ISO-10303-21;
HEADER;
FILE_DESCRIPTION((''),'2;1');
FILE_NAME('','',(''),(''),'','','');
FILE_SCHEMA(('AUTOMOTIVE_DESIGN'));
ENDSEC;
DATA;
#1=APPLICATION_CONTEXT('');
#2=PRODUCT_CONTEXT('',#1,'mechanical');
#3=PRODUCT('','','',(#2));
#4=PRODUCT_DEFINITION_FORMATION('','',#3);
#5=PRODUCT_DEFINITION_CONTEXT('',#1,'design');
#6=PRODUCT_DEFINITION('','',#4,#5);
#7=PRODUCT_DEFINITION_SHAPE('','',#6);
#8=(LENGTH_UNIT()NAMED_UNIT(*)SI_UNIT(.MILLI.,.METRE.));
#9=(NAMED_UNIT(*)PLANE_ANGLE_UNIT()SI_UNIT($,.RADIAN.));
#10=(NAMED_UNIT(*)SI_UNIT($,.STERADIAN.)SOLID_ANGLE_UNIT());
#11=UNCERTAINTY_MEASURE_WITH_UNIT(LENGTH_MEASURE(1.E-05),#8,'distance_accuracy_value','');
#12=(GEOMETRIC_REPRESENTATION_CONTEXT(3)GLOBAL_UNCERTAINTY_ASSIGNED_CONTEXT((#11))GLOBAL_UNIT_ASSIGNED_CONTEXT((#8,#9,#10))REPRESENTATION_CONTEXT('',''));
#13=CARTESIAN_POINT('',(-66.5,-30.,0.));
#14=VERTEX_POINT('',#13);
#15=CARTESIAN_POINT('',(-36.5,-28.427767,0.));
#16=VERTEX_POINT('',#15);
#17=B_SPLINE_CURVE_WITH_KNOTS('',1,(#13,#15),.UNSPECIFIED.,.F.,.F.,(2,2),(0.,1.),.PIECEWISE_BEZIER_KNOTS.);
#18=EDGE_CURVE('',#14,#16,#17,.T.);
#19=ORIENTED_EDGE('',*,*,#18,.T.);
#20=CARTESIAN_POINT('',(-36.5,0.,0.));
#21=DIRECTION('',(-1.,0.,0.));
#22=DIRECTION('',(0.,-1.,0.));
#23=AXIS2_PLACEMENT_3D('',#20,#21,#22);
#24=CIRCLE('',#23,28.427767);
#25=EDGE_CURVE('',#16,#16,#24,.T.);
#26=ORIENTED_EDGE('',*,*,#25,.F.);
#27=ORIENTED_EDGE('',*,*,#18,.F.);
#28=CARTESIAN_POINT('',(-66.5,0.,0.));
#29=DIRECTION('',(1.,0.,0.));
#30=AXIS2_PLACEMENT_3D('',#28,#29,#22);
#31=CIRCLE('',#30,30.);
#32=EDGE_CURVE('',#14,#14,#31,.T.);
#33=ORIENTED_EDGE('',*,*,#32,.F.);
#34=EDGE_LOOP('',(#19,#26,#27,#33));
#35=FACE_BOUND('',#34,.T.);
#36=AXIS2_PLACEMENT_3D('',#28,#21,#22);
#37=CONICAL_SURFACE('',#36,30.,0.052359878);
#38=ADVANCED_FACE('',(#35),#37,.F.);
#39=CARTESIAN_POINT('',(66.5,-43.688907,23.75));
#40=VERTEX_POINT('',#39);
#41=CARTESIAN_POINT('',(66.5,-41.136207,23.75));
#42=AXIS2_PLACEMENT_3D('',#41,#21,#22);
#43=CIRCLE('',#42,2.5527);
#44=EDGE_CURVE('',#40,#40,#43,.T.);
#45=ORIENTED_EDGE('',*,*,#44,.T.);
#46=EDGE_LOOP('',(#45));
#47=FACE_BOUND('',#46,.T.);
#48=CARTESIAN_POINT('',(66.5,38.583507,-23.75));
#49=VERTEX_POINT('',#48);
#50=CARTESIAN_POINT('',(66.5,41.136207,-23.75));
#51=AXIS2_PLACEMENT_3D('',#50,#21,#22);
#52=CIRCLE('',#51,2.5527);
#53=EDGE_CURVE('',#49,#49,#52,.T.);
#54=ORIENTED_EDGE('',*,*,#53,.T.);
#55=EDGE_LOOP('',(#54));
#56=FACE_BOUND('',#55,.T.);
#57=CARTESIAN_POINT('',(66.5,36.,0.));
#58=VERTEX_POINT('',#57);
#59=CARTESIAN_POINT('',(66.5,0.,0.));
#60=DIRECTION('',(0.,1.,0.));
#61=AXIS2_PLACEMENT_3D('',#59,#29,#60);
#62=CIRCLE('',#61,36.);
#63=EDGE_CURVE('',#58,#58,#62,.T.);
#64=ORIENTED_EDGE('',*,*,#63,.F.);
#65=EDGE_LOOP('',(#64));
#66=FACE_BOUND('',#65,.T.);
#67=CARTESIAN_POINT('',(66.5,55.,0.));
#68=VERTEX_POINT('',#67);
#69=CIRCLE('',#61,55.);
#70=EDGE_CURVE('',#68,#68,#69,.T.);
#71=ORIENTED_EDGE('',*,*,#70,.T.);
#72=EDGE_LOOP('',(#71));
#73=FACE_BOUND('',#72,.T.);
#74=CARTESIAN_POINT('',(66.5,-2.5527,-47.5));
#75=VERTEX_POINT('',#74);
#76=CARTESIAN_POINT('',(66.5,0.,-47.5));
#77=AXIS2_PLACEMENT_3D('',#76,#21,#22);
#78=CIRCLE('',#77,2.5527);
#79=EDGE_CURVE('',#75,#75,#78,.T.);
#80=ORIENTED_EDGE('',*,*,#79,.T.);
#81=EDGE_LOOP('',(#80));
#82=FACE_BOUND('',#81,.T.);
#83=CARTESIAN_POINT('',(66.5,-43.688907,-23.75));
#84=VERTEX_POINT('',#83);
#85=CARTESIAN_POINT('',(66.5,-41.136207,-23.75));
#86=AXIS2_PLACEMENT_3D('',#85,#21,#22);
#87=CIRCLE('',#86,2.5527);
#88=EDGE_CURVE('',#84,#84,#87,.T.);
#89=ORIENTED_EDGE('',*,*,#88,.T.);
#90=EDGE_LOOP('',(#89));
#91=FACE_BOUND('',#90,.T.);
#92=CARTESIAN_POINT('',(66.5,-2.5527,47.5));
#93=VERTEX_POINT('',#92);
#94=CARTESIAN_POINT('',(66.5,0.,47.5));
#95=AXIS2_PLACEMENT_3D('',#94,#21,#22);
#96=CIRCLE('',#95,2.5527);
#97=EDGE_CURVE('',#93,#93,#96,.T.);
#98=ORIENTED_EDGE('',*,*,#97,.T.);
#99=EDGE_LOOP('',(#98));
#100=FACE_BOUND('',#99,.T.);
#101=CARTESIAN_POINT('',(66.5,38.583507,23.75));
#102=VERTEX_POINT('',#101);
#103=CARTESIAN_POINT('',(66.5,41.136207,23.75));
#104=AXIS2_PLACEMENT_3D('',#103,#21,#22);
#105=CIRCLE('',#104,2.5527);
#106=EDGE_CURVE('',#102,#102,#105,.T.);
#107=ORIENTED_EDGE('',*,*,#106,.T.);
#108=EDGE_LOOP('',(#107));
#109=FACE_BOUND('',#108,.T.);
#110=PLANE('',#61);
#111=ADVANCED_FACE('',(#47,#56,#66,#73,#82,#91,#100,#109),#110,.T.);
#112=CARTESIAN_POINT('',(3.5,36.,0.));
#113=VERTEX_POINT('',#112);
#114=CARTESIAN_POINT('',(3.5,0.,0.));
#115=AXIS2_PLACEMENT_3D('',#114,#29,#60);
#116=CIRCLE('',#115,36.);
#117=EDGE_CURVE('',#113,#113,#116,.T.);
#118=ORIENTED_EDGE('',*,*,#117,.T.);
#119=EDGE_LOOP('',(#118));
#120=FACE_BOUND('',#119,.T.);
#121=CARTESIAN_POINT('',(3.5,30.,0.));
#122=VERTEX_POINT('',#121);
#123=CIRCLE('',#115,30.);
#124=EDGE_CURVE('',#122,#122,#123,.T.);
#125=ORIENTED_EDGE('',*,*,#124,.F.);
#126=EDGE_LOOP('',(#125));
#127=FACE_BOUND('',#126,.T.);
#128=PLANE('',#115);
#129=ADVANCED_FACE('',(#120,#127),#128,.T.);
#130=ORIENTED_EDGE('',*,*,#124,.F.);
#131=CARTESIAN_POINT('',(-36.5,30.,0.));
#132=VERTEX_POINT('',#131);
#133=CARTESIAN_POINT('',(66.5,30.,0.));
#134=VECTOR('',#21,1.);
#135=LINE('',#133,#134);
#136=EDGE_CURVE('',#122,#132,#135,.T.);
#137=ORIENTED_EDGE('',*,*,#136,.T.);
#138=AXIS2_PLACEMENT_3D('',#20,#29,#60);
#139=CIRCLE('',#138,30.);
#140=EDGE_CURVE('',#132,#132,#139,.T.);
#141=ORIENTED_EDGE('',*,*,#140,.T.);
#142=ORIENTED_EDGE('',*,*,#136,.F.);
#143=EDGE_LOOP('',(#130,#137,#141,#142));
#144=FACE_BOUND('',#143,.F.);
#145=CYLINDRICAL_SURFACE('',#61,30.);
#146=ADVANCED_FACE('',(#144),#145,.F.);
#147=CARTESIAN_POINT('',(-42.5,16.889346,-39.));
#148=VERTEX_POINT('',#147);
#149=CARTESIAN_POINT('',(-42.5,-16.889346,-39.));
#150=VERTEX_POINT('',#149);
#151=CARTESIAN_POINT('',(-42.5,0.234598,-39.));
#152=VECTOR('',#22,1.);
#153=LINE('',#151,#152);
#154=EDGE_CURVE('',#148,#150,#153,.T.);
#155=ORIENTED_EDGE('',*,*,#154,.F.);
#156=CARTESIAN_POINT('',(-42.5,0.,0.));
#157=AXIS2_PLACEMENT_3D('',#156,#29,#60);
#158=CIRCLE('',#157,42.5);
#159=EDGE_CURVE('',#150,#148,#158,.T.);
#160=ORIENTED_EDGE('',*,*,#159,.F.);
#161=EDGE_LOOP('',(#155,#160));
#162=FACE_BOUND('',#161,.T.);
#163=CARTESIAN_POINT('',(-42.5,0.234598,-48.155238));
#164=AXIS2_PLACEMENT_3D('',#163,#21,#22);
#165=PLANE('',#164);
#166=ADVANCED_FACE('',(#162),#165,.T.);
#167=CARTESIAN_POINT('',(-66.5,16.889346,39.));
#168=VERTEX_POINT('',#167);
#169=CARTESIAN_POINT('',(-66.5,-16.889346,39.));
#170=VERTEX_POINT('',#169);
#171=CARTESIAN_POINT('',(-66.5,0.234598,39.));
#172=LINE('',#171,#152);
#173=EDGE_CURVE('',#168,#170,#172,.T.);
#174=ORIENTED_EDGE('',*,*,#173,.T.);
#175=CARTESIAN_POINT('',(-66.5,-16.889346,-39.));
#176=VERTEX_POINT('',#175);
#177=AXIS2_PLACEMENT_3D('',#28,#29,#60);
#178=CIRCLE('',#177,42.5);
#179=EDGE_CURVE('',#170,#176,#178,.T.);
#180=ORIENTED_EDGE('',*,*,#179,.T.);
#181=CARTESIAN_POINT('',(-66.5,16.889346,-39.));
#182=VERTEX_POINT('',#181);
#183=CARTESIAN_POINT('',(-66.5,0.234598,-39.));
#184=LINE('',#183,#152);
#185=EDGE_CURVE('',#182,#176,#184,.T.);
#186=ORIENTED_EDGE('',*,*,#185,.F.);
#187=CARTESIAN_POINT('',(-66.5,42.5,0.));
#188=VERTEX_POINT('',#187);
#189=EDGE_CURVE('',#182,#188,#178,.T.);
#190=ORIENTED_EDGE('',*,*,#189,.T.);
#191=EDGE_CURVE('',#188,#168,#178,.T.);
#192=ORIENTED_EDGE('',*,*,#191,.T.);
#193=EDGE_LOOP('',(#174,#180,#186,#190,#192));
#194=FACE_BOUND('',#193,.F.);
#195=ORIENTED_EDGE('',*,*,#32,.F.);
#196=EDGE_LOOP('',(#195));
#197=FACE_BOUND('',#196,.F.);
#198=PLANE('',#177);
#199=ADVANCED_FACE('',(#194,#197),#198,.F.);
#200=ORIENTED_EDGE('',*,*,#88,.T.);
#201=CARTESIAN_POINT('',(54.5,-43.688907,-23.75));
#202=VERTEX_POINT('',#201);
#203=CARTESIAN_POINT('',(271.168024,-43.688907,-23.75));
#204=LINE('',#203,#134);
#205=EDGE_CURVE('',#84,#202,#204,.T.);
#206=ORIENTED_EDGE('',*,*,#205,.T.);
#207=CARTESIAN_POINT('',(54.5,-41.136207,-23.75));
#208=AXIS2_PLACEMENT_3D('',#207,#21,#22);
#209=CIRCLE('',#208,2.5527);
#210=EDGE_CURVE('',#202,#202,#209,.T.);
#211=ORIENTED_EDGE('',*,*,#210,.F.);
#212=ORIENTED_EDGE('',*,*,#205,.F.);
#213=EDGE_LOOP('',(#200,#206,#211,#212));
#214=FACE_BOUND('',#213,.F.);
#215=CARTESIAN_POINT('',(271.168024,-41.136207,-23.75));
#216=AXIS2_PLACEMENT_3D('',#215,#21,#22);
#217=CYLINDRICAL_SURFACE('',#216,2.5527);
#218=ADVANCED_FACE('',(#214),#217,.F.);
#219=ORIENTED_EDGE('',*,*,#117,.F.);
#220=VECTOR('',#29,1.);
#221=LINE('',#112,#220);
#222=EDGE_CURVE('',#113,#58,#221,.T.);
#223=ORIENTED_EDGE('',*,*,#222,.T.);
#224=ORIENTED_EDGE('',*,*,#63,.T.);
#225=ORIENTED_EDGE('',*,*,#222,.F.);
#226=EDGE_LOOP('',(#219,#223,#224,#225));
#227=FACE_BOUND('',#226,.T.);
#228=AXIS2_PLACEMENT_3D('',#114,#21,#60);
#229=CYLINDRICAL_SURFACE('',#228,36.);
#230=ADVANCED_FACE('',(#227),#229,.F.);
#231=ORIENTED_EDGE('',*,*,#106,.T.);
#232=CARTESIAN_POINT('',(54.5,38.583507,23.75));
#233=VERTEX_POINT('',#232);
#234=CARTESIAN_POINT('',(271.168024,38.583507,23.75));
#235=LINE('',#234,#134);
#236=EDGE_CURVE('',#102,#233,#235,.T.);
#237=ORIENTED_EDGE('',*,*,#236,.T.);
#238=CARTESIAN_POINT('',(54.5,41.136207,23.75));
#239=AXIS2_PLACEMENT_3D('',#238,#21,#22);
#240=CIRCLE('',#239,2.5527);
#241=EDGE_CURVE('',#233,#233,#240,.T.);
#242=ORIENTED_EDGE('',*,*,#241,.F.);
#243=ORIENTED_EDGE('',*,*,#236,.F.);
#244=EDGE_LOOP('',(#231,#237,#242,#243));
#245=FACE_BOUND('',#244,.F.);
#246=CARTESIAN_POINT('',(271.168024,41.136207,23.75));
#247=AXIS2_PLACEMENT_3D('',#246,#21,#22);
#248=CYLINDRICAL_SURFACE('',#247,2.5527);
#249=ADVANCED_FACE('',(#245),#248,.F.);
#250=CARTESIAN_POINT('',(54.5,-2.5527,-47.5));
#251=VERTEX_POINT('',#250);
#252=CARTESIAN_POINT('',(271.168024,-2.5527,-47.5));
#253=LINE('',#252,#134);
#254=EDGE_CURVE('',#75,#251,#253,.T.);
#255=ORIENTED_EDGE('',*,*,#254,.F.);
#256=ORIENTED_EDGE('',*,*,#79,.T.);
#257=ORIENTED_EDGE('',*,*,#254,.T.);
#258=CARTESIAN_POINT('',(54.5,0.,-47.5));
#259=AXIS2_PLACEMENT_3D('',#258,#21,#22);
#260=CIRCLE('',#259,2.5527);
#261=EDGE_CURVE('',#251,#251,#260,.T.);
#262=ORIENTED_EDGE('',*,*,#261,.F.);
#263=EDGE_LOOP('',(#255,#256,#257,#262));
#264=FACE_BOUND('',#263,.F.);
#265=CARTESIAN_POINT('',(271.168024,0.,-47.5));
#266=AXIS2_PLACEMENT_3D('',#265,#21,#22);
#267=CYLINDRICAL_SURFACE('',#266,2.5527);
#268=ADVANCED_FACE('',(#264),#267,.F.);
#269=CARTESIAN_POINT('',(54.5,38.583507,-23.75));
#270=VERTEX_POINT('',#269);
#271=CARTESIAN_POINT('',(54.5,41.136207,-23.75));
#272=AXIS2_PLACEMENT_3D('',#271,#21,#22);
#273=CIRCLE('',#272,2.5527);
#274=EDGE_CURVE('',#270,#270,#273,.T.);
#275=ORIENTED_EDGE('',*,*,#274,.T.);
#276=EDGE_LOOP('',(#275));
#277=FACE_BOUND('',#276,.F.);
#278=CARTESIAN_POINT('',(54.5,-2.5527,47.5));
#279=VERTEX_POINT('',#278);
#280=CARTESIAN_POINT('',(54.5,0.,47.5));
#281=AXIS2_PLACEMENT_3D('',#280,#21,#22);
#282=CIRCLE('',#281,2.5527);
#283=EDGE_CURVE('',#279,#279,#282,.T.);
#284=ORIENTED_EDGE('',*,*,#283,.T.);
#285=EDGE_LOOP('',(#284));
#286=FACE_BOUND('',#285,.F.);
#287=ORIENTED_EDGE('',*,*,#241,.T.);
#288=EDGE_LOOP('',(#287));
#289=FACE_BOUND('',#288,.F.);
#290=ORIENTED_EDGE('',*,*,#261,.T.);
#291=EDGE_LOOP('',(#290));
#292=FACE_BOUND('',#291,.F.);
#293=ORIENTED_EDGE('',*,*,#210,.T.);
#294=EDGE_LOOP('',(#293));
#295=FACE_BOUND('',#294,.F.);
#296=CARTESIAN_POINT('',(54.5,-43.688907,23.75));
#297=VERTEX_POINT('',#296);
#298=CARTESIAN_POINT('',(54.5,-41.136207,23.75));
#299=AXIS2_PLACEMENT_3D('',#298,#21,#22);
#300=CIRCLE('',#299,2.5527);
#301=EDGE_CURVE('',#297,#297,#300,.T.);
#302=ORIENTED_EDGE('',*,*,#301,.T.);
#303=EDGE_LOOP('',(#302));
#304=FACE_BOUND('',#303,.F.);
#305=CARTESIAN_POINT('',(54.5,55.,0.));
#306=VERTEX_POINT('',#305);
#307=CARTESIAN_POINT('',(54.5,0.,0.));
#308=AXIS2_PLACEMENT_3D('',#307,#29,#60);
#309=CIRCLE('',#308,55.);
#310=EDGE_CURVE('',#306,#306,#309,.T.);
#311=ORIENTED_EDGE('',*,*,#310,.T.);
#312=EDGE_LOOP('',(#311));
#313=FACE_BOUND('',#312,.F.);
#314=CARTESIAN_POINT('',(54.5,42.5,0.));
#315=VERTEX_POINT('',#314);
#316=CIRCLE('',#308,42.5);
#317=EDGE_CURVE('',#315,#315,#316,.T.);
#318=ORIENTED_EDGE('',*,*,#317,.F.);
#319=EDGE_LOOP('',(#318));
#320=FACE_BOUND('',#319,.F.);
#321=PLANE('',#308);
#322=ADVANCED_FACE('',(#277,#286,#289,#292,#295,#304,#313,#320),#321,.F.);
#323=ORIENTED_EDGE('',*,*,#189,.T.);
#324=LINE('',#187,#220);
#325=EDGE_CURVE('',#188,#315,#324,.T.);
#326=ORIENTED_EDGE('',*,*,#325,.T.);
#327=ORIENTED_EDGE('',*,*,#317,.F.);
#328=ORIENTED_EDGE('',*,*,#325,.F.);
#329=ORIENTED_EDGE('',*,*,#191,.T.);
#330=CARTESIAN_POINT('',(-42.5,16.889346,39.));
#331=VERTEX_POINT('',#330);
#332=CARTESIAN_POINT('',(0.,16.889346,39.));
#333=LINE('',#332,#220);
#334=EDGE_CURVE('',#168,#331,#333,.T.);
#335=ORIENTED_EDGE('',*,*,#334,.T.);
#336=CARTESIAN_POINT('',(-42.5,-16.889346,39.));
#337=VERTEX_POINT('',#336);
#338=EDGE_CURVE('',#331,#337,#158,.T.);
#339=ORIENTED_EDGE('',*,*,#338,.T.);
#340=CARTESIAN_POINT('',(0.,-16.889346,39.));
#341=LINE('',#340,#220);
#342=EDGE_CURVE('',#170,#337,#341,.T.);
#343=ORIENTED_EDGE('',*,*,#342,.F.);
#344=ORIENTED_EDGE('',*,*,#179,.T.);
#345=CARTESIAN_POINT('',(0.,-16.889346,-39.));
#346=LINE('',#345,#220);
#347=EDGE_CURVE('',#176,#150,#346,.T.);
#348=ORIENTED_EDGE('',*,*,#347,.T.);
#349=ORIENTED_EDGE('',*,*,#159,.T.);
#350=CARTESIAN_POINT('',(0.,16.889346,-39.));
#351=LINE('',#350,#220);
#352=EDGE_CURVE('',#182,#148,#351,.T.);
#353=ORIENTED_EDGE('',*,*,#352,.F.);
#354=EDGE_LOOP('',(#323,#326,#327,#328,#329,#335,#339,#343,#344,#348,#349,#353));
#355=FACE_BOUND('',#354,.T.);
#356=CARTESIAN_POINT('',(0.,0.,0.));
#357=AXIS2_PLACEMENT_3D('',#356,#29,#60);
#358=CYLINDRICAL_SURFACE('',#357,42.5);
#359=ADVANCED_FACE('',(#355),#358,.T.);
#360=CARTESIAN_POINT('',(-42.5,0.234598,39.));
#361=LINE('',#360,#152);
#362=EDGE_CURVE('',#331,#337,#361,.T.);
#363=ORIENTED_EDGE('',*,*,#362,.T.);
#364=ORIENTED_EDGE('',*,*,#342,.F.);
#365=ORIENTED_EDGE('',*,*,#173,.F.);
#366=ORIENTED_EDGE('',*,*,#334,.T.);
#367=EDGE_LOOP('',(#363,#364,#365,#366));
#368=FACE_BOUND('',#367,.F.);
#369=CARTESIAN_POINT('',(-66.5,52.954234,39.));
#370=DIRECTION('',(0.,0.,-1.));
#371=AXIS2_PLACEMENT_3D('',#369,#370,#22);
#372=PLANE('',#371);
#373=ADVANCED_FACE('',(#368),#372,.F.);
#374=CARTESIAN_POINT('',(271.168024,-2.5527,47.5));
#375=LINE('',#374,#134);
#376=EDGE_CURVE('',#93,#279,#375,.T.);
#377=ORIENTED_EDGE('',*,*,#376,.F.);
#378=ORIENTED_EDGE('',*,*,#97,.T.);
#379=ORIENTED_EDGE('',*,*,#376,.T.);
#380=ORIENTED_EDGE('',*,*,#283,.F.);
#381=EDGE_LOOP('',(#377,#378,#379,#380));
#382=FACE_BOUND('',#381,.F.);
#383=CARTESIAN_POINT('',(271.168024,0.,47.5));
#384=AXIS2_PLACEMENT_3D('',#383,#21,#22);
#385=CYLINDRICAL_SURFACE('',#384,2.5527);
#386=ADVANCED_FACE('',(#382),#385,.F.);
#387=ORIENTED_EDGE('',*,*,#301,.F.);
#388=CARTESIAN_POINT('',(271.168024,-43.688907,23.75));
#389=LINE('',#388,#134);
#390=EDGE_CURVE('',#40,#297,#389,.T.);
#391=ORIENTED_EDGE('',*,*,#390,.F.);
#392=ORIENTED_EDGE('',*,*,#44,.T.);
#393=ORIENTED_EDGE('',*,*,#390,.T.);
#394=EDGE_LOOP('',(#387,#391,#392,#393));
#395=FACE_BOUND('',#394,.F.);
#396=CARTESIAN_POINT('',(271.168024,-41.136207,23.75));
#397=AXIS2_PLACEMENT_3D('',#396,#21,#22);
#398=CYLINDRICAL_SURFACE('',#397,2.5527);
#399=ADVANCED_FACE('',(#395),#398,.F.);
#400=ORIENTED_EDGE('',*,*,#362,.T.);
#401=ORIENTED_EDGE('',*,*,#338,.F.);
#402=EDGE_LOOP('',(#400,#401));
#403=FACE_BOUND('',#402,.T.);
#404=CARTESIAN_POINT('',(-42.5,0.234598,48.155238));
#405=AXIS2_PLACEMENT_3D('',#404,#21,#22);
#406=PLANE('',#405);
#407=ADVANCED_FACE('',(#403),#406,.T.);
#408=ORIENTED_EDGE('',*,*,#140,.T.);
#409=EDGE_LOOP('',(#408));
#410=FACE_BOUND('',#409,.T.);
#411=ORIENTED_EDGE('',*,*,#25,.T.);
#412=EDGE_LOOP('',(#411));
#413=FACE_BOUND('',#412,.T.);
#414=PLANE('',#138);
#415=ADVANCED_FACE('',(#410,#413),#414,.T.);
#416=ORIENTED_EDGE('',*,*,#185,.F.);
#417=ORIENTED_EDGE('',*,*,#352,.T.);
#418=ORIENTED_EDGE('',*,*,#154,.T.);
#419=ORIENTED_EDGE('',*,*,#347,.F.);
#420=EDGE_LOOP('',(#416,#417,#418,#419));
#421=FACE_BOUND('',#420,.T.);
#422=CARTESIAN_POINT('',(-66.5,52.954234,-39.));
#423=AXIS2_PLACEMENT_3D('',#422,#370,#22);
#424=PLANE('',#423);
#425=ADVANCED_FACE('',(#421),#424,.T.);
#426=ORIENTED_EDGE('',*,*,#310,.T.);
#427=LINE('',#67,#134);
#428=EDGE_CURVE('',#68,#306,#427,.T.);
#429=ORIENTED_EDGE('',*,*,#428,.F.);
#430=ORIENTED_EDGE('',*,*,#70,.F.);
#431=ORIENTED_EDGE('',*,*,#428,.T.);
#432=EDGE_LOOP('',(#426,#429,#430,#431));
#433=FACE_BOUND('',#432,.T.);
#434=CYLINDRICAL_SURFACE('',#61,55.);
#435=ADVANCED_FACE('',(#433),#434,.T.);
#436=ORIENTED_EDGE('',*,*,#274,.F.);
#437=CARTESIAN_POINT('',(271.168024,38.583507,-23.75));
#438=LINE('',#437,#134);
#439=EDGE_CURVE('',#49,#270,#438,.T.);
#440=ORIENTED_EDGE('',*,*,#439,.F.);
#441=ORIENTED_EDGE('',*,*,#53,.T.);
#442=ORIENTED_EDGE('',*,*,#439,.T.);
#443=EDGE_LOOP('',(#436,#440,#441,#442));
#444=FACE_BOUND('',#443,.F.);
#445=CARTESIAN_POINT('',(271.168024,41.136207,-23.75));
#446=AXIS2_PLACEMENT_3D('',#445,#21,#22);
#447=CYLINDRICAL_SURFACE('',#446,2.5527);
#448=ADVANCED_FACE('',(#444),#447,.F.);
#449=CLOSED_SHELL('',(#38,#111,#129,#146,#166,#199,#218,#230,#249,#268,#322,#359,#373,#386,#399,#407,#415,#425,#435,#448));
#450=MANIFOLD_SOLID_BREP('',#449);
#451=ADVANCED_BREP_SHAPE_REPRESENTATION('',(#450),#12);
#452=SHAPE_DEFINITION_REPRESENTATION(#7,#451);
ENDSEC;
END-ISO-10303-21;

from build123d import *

# Parameters (mm, degrees)
F0_R      = 42.5
F1_DEPTH  = 66.5
F2_R      = 55
F3_DEPTH  = 12
F5_D      = 5.1054
F6_R      = 30
F7_DEPTH  = 30
F7_TAPER  = 3
F8_R      = 30
F9_DEPTH  = 103
F11_R     = 36
F12_DEPTH = 63
F13_W     = 105.4392717779
F13_H     = 18.3104768991
F14_DEPTH = 24


with BuildPart() as f1:
    # F0 (on Right) → F1 (new body, symmetric)
    with BuildSketch(Plane.YZ):
        Circle(F0_R)
    extrude(amount=F1_DEPTH, both=True)

    # F2 (on face) → F3 (join)
    with BuildSketch(Plane.YZ.offset(66.5)):
        Circle(F2_R)
    extrude(amount=-F3_DEPTH)

    # F5 (through all)
    with Locations(Plane.YZ.offset(66.5)):
        with Locations((0, 47.5), (-41.1362066798, 23.75), (-41.1362066798, -23.75), (0, -47.5), (41.1362066798, -23.75), (41.1362066798, 23.75)):
            Hole(F5_D / 2)

    # F6 (on face) → F7 (cut)
    with BuildSketch(Plane(origin=(-66.5, 0, 0), x_dir=(0, -1, 0), z_dir=(-1, 0, 0))):
        Circle(F6_R)
    extrude(amount=-F7_DEPTH, taper=F7_TAPER, mode=Mode.SUBTRACT)

    # F8 (on face) → F9 (cut, through all)
    with BuildSketch(Plane.YZ.offset(66.5)):
        Circle(F8_R)
    extrude(amount=-F9_DEPTH, mode=Mode.SUBTRACT)

    # F11 (on offset) → F12 (cut, through all)
    with BuildSketch(Plane.YZ.offset(3.5)):
        Circle(F11_R)
    extrude(amount=F12_DEPTH, mode=Mode.SUBTRACT)

    # F13 (on face) → F14 (cut)
    with BuildSketch(Plane(origin=(-66.5, 0, 0), x_dir=(0, -1, 0), z_dir=(-1, 0, 0))):
        with Locations((-0.2345982939, 48.1552384496)):
            Rectangle(F13_W, F13_H)
        with Locations((-0.2345982939, -48.1552384496)):
            Rectangle(F13_W, F13_H)
    extrude(amount=-F14_DEPTH, mode=Mode.SUBTRACT)


solid = f1.part
